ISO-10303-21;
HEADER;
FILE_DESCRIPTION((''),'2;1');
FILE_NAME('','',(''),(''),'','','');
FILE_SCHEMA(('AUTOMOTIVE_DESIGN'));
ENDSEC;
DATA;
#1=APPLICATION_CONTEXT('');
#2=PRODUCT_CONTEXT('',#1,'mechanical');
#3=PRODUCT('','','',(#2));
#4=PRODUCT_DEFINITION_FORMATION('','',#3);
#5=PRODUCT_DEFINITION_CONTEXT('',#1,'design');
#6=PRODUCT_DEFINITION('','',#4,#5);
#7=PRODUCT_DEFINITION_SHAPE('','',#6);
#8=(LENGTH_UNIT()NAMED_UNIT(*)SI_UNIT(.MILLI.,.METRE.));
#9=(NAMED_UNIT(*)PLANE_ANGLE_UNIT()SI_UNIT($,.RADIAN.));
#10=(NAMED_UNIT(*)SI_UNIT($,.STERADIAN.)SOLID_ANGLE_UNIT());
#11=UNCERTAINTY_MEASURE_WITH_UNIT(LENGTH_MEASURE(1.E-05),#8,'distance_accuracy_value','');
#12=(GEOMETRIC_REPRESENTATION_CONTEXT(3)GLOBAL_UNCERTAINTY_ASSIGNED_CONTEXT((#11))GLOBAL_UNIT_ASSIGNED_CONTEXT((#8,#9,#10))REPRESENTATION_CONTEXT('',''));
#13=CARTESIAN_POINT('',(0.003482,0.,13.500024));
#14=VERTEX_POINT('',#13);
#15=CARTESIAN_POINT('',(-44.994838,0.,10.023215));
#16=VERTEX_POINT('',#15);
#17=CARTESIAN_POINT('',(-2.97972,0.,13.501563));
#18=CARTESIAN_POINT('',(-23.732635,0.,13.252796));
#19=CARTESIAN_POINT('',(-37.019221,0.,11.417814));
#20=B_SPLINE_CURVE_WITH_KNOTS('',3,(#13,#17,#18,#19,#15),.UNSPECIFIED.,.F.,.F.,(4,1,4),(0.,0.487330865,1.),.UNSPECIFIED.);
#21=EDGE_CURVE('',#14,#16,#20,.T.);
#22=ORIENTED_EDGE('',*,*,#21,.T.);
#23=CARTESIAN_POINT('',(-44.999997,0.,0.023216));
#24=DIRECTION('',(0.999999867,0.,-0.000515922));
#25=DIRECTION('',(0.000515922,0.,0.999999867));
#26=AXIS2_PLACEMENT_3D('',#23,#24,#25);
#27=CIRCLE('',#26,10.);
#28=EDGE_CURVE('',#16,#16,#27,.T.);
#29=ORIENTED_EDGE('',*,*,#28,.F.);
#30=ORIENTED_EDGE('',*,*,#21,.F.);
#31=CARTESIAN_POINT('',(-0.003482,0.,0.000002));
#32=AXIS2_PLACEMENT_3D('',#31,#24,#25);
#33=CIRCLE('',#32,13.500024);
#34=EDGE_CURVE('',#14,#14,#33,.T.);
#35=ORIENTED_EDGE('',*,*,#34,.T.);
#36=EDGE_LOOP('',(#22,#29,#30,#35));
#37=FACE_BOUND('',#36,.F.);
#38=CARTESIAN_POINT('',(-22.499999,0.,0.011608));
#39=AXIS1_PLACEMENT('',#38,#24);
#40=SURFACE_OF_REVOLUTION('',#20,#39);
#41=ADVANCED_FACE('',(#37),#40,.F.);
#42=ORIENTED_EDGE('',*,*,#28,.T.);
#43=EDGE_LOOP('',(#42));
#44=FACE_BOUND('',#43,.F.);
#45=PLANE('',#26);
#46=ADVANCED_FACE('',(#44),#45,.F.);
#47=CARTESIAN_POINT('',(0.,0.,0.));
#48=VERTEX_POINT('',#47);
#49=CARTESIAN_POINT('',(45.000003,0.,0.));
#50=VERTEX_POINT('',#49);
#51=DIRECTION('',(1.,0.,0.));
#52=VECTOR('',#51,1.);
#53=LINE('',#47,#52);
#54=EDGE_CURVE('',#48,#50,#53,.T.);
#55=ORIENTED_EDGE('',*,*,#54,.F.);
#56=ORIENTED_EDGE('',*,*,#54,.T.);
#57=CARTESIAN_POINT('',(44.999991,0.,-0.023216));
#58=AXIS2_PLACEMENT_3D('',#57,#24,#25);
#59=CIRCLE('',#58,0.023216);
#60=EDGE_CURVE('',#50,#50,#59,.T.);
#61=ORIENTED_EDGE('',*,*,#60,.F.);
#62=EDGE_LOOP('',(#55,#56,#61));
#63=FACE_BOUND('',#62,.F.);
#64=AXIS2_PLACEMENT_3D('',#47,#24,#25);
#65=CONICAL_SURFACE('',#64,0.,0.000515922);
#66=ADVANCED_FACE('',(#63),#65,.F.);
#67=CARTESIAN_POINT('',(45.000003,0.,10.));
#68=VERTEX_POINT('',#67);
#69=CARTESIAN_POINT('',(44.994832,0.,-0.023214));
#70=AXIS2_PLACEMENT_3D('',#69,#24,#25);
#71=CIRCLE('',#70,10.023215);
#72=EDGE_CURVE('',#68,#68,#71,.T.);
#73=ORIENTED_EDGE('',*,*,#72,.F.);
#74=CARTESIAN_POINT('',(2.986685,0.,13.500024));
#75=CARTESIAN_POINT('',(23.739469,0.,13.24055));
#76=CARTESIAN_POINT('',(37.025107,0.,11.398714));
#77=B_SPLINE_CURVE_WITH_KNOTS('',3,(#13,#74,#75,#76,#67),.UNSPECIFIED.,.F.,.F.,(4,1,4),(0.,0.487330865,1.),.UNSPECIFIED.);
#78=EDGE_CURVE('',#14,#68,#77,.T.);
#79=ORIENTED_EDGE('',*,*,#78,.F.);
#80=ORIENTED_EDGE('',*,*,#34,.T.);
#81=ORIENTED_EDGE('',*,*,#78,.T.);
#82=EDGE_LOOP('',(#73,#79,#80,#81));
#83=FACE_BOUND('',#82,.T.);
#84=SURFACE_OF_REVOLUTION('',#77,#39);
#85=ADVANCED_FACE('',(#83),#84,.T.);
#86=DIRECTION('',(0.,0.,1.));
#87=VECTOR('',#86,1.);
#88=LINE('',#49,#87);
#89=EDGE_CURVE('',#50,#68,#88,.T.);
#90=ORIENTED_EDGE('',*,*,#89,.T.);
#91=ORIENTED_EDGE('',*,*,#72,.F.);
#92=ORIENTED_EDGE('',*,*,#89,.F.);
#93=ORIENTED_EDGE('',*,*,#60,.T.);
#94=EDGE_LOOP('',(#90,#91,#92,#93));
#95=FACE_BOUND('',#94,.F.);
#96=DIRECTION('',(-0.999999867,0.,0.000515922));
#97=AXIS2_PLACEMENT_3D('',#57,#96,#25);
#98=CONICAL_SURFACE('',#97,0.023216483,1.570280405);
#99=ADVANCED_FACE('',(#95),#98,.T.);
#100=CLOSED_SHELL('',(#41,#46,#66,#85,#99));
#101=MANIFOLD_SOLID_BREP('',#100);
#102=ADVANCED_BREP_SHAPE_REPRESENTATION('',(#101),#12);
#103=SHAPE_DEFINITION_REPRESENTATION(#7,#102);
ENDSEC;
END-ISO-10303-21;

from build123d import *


with BuildPart() as f1:
    # F0 (on Front) → F1 (revolve)
    with BuildSketch(Plane.XZ):
        with BuildLine():
            Line((0.0034824786, 13.5000242619), (0, 0))
            Line((0, 0), (45.0000029945, 0))
            Line((45.0000029945, 0), (45.0000029945, 10))
            add(Edge.make_bspline(
                [(0.0034824786, 13.5000242619), (2.9866852604, 13.5000242619), (23.7394692667, 13.2405500523), (37.0251067946, 11.3987135709), (45.0000029945, 10)],
                knots=[0, 0, 0, 0, 0.4873308655, 1, 1, 1, 1], degree=3))
        make_face()
        with BuildLine():
            Line((-44.9999970055, 0.0232164822), (0, 0))
            Line((0, 0), (0.0034824786, 13.5000242619))
            add(Edge.make_bspline(
                [(0.0034824786, 13.5000242619), (-2.9797199062, 13.5015633612), (-23.7326350189, 13.2527959997), (-37.0192210223, 11.4178141134), (-44.9948377876, 10.0232151514)],
                knots=[0, 0, 0, 0, 0.4873308655, 1, 1, 1, 1], degree=3))
            Line((-44.9948377876, 10.0232151514), (-44.9999970055, 0.0232164822))
        make_face()
    revolve(axis=Axis((-22.4999985028, 0, 0.0116082411), (0.9999998669, 0, -0.0005159218)))


solid = f1.part
